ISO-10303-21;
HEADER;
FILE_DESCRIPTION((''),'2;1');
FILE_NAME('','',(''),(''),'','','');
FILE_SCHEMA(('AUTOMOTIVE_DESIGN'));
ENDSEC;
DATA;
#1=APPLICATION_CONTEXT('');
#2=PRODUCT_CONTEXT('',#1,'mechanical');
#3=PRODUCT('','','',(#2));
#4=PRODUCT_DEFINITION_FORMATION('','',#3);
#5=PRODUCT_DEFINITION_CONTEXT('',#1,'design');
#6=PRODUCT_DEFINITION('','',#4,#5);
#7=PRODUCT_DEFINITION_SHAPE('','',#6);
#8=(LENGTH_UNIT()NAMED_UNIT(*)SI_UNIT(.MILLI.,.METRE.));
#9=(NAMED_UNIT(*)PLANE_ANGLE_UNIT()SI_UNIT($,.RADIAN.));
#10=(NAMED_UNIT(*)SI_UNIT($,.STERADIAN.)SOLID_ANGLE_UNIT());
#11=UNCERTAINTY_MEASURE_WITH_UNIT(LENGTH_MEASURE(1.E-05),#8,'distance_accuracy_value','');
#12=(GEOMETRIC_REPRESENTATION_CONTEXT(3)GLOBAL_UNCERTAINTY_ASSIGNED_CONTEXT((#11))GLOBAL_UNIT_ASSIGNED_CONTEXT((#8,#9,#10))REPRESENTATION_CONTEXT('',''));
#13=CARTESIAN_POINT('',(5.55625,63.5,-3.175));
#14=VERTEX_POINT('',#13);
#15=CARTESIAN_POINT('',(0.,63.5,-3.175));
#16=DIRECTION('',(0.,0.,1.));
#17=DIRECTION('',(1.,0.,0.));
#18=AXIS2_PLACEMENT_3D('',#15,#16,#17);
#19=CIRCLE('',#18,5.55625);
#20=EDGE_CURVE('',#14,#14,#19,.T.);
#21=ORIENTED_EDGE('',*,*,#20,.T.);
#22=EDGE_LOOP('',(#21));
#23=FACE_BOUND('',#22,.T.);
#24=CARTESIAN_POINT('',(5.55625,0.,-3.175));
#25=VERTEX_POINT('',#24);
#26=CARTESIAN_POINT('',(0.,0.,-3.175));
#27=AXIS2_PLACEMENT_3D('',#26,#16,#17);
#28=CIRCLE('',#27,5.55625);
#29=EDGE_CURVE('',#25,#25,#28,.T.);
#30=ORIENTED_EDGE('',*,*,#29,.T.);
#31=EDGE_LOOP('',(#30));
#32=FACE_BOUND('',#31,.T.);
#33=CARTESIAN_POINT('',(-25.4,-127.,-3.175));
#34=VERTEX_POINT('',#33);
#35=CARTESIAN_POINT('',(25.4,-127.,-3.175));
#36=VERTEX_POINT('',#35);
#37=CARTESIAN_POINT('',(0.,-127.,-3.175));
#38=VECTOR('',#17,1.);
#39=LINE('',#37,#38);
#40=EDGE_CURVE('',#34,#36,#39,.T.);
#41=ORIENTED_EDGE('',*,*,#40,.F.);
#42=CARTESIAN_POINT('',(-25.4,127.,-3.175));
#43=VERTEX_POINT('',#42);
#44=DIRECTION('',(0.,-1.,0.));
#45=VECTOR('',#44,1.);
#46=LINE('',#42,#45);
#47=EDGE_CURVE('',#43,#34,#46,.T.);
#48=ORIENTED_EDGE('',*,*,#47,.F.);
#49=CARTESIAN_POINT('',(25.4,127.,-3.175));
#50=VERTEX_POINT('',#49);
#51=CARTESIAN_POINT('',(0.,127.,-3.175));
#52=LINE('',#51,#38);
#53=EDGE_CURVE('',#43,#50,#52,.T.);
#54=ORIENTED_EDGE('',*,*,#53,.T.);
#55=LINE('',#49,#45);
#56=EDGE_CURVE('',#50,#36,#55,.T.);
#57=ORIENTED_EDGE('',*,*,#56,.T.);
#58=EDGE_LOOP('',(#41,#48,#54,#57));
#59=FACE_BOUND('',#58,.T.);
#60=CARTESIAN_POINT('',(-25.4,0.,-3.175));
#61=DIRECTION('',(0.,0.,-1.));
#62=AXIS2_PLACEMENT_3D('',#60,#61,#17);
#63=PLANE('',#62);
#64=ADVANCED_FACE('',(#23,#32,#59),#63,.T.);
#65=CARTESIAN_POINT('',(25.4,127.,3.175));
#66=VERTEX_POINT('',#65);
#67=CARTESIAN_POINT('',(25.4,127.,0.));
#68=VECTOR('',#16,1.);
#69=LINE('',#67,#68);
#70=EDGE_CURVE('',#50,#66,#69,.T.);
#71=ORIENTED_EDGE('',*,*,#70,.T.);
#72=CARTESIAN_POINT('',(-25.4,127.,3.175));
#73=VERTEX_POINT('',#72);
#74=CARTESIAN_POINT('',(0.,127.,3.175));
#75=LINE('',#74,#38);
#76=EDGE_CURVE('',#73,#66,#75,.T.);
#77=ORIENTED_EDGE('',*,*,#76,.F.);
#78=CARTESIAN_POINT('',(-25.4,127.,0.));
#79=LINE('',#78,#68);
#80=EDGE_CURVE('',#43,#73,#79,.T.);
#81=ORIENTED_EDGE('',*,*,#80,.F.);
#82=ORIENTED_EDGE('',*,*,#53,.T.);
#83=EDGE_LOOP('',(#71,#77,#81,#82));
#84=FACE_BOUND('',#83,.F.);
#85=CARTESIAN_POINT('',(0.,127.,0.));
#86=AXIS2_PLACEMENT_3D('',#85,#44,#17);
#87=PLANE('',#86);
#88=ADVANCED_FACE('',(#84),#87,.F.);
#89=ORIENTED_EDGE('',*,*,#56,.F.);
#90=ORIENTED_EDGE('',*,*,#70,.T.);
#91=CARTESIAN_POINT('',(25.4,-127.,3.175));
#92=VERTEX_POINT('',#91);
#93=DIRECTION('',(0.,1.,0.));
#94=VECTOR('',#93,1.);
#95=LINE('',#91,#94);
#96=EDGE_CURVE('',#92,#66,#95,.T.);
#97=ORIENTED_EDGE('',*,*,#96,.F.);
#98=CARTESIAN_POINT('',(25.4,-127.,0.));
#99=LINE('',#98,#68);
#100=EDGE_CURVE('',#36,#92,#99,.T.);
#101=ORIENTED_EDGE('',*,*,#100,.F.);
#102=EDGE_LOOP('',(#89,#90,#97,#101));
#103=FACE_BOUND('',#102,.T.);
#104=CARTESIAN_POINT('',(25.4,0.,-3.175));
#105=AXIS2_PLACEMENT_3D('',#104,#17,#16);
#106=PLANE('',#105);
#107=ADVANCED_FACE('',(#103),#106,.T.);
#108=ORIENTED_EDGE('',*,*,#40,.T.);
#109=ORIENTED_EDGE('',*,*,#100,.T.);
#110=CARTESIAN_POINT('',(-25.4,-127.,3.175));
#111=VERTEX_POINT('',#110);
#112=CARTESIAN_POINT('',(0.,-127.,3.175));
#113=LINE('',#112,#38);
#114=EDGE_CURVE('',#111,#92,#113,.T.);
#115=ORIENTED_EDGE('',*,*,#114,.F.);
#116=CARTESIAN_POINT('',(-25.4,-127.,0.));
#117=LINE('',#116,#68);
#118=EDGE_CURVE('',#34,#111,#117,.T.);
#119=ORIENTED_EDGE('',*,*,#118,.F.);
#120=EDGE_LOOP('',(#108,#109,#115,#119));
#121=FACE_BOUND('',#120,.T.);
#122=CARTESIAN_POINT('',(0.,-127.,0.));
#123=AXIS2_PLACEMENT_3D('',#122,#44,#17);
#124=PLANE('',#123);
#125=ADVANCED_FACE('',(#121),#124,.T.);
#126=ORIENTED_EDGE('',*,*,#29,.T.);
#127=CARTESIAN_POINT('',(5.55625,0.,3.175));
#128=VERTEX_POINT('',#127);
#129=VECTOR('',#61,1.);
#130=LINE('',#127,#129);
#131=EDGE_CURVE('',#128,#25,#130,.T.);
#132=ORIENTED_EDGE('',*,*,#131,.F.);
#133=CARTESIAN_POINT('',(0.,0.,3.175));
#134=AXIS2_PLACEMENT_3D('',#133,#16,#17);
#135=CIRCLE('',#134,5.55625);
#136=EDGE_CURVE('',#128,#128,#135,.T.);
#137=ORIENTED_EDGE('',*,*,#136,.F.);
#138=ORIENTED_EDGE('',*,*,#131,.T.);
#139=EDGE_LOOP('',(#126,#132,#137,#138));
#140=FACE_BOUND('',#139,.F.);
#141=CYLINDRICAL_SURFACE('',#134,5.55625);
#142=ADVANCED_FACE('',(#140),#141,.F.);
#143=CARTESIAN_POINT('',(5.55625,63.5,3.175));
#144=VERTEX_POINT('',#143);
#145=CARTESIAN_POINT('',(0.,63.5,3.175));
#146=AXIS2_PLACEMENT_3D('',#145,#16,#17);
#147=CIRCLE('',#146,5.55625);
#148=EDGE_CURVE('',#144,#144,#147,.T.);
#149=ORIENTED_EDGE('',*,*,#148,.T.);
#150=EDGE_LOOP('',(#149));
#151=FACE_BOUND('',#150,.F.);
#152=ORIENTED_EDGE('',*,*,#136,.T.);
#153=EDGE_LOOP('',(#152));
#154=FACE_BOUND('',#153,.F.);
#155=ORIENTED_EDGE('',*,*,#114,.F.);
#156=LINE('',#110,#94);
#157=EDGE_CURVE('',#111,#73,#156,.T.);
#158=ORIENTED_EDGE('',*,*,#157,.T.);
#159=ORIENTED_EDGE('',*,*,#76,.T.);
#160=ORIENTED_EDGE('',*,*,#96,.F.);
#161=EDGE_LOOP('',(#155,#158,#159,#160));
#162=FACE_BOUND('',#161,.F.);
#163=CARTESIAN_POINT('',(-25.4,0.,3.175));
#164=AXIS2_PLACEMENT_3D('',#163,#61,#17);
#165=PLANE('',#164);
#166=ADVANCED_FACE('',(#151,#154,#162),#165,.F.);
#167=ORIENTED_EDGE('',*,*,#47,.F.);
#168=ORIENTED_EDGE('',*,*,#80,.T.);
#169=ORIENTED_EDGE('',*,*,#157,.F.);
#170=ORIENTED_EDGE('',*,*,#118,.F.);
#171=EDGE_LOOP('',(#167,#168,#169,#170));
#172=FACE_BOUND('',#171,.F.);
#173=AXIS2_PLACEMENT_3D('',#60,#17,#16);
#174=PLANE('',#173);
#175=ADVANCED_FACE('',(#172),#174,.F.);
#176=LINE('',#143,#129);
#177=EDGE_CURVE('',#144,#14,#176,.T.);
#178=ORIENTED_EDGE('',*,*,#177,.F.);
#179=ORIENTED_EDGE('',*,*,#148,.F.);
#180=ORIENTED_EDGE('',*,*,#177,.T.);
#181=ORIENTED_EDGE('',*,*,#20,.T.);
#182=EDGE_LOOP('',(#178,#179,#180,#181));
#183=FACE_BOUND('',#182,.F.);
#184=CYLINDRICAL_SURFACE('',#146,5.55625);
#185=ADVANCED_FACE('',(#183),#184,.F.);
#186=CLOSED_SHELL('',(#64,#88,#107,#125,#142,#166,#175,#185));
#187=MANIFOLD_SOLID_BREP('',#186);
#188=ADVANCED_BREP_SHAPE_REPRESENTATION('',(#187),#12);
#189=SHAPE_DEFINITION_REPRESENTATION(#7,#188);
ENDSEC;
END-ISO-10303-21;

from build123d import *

# Parameters (mm, degrees)
F0_W     = 50.8
F0_H     = 6.35
F1_DEPTH = 127
F2_R     = 5.55625
F3_DEPTH = 6.351


with BuildPart() as f1:
    # F0 (on Front) → F1 (new body, symmetric)
    with BuildSketch(Plane.XZ):
        Rectangle(F0_W, F0_H)
    extrude(amount=F1_DEPTH, both=True)

    # F2 (on face) → F3 (cut, through all)
    with BuildSketch(Plane.XY.offset(3.175)):
        with Locations((0, 63.5)):
            Circle(F2_R)
        Circle(F2_R)
    extrude(amount=-F3_DEPTH, mode=Mode.SUBTRACT)


solid = f1.part
